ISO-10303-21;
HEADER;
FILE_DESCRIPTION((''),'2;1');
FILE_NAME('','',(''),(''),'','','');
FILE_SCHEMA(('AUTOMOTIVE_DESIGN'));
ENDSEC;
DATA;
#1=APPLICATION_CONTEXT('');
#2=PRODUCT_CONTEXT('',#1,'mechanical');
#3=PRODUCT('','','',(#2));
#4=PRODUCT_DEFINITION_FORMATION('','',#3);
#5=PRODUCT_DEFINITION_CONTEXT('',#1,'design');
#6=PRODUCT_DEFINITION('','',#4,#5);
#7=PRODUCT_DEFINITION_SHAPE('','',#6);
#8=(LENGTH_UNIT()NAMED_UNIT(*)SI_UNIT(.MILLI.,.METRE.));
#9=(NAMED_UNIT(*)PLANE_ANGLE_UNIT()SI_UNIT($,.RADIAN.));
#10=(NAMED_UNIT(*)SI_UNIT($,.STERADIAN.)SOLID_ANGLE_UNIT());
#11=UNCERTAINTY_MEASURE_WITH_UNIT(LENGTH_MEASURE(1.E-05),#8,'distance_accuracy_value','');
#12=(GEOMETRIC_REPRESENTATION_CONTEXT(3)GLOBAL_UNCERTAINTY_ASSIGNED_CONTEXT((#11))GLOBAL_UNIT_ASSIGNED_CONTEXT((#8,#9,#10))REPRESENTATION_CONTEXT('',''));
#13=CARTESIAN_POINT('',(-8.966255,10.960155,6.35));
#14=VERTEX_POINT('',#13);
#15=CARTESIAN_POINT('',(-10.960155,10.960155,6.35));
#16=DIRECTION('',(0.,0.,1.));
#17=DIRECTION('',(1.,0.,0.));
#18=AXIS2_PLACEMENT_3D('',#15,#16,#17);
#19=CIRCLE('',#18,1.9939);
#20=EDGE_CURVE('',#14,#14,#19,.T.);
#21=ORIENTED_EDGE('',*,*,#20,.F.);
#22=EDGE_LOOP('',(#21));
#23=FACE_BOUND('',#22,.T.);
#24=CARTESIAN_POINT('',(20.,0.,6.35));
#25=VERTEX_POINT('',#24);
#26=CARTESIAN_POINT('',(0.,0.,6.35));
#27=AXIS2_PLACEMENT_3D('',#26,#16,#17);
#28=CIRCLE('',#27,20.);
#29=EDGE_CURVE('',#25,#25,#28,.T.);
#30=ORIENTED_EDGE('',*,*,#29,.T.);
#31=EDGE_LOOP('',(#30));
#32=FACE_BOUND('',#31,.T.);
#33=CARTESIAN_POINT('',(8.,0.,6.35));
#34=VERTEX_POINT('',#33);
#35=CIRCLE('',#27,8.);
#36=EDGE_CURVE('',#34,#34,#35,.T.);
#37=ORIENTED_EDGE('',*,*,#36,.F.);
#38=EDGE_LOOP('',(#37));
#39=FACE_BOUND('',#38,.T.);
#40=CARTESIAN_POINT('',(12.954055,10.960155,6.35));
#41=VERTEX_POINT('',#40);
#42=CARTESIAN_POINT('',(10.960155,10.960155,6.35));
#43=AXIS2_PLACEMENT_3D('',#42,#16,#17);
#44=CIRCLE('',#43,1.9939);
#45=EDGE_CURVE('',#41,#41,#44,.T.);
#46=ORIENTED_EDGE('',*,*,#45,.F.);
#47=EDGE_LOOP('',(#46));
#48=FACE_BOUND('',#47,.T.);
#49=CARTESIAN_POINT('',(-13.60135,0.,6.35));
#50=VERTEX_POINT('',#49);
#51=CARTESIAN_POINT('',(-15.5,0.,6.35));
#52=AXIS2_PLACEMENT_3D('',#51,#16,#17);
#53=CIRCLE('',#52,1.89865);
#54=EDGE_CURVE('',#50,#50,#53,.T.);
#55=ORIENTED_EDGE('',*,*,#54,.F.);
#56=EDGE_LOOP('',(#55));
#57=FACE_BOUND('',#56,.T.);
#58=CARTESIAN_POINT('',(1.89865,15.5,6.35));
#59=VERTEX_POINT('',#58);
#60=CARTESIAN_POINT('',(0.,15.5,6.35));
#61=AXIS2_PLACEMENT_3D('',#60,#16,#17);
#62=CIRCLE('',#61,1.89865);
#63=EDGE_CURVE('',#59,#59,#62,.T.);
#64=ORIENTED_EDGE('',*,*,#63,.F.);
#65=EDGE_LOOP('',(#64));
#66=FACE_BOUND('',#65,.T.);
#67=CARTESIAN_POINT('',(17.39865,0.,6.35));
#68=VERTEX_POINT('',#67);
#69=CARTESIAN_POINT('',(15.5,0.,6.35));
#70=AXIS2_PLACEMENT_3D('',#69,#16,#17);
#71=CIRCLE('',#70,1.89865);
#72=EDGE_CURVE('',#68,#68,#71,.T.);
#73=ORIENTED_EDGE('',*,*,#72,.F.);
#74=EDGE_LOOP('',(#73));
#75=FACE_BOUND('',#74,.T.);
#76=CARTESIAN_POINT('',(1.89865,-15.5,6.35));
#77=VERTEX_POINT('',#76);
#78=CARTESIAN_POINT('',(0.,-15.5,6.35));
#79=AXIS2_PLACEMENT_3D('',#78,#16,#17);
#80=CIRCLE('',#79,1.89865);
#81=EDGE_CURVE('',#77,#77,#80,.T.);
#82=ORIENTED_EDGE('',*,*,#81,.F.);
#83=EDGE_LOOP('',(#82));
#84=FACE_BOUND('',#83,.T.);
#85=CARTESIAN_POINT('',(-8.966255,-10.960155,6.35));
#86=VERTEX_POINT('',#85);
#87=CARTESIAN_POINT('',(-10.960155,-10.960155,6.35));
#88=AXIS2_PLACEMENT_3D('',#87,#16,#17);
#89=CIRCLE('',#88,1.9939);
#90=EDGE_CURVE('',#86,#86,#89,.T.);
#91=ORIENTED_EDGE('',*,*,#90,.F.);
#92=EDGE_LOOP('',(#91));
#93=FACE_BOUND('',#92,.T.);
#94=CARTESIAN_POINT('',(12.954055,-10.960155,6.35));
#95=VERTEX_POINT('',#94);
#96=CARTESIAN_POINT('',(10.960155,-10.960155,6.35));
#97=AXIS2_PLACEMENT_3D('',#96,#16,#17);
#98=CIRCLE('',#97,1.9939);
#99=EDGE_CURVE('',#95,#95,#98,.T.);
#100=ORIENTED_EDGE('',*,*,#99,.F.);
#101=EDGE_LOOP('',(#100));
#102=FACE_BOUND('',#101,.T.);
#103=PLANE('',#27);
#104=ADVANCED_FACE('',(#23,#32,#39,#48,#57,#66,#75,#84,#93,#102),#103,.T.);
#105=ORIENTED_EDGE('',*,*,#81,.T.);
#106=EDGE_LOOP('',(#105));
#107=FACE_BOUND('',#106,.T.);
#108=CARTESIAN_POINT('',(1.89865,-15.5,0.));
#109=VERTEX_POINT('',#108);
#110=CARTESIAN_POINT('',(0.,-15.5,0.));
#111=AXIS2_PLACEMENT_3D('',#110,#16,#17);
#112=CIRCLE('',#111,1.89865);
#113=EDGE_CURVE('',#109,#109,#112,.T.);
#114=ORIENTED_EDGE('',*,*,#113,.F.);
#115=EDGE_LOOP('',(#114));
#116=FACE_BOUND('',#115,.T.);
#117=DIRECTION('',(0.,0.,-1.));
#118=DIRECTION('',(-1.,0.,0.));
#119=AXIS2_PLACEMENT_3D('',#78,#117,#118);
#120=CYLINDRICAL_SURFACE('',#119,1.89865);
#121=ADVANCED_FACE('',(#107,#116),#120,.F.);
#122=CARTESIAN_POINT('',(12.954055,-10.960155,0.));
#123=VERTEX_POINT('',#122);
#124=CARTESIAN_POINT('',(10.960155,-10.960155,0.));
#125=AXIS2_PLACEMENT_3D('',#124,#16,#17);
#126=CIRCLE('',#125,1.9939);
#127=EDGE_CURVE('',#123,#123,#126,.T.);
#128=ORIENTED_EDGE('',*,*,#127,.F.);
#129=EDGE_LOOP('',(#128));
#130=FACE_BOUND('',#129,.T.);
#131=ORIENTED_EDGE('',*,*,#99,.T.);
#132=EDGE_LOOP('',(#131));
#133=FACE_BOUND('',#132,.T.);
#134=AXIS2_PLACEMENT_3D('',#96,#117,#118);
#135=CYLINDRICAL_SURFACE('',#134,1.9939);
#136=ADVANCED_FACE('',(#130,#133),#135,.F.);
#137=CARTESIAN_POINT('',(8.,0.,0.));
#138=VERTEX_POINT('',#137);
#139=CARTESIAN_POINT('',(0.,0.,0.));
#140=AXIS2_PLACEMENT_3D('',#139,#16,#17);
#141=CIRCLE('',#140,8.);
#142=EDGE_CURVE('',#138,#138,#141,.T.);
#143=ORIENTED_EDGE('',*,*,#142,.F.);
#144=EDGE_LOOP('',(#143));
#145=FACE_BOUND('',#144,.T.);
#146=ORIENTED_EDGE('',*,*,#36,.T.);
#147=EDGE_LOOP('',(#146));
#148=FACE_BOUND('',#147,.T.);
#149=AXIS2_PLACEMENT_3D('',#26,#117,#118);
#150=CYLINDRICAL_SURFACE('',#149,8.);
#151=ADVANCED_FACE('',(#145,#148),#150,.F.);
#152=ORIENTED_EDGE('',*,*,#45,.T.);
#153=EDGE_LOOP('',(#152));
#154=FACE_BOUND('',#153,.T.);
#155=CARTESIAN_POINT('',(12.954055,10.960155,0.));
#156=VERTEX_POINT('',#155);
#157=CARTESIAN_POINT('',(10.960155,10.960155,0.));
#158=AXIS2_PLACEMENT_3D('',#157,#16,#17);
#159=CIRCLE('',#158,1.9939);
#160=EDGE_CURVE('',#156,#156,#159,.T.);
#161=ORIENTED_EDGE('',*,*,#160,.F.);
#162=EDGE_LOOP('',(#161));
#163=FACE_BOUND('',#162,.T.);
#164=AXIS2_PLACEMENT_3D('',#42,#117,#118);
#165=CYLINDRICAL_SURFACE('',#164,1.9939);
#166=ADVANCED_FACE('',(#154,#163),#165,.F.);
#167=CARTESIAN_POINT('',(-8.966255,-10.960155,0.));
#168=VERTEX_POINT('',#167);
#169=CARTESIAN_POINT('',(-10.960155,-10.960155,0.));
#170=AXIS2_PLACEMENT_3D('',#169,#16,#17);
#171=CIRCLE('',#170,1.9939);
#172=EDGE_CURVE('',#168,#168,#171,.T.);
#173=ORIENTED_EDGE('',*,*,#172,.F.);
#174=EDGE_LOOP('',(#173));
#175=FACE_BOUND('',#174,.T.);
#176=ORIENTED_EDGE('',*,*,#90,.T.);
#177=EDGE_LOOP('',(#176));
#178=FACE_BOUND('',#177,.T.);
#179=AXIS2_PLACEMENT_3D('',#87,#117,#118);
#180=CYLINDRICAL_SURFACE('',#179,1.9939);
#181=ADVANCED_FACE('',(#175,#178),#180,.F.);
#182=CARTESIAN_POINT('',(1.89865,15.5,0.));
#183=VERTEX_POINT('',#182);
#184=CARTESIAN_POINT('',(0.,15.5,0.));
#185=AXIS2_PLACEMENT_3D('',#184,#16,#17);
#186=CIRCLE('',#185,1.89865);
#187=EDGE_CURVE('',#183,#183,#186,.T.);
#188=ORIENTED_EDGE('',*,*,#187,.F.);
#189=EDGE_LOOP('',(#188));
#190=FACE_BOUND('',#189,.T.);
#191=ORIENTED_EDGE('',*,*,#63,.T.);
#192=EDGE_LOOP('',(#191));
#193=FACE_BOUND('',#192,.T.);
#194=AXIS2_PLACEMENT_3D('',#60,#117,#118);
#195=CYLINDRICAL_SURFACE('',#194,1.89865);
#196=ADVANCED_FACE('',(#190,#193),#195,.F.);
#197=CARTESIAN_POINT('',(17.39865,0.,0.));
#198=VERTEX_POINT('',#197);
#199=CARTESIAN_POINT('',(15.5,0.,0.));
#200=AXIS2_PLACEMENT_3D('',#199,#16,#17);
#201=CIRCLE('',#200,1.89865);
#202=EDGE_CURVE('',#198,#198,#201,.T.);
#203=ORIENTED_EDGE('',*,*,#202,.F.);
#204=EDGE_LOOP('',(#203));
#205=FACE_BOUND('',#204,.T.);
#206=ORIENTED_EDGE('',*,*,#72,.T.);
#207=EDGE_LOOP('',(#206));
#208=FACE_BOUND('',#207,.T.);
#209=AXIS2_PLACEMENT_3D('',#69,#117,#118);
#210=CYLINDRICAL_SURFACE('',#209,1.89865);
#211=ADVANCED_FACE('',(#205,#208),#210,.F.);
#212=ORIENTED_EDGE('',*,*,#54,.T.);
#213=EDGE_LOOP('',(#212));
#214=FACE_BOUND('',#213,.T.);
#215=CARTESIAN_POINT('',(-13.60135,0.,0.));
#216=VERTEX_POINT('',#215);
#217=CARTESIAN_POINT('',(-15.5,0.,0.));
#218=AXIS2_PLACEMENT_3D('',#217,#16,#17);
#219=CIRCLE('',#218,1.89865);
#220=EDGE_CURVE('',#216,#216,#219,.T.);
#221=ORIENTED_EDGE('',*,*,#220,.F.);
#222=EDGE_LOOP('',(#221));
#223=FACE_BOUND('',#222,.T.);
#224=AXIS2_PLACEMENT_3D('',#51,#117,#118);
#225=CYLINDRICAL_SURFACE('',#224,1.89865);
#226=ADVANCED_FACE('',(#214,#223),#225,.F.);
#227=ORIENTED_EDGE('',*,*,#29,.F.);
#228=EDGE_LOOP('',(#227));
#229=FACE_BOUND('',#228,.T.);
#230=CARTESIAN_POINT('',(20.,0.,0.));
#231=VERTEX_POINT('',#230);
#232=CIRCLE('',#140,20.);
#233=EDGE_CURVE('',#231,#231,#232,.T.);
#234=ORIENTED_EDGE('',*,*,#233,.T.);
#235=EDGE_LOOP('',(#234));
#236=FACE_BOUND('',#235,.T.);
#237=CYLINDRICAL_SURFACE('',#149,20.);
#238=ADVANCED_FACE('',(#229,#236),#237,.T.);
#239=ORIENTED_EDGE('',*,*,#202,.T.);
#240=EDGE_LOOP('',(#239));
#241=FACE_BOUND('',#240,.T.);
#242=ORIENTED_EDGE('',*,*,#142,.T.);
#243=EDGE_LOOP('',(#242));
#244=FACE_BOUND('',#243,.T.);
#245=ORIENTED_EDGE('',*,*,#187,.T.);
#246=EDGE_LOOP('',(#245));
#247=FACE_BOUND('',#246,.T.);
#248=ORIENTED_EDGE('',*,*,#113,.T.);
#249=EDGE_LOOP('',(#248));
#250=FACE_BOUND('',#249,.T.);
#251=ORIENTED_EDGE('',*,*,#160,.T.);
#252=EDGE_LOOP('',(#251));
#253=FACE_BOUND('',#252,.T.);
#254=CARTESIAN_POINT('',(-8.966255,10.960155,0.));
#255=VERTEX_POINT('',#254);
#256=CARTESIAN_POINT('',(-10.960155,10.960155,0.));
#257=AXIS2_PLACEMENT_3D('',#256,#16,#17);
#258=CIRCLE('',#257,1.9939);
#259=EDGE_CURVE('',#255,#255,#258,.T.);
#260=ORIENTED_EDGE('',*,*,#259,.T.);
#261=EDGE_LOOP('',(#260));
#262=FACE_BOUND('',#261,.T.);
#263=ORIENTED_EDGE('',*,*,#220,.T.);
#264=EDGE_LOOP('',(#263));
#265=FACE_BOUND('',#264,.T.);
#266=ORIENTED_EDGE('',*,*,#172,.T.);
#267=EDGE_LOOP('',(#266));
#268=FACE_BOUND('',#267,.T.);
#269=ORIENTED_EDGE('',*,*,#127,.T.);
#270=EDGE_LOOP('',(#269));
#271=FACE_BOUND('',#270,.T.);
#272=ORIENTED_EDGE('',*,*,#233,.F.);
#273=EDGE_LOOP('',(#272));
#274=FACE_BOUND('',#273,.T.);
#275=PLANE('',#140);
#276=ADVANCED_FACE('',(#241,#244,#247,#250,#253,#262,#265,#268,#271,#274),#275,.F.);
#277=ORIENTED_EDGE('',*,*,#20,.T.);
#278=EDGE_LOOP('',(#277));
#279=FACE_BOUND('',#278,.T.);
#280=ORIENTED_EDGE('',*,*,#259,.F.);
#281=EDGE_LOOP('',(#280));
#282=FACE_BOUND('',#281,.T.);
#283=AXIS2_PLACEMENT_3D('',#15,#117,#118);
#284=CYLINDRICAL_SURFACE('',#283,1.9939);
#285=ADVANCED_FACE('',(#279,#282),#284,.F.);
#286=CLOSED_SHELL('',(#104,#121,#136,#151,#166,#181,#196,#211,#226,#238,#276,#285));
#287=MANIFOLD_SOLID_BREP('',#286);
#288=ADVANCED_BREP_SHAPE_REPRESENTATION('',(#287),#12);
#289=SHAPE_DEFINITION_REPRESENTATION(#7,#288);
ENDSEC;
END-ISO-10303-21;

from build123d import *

# Parameters (mm, degrees)
SKETCH1_R           = 20
SKETCH1_R_2         = 8
SKETCH1_R_3         = 1.89865
SKETCH1_R_4         = 1.9939
BOSS_EXTRUDE1_DEPTH = 6.35


with BuildPart() as part:
    # Sketch1 → Boss-Extrude1 (new body)
    with BuildSketch(Plane.XY):
        Circle(SKETCH1_R)
        Circle(SKETCH1_R_2, mode=Mode.SUBTRACT)
        with Locations((0, -15.5)):
            Circle(SKETCH1_R_3, mode=Mode.SUBTRACT)
        with Locations((10.960155108, -10.960155108)):
            Circle(SKETCH1_R_4, mode=Mode.SUBTRACT)
        with Locations((-15.5, 0)):
            Circle(SKETCH1_R_3, mode=Mode.SUBTRACT)
        with Locations((-10.960155108, -10.960155108)):
            Circle(SKETCH1_R_4, mode=Mode.SUBTRACT)
        with Locations((0, 15.5)):
            Circle(SKETCH1_R_3, mode=Mode.SUBTRACT)
        with Locations((-10.960155108, 10.960155108)):
            Circle(SKETCH1_R_4, mode=Mode.SUBTRACT)
        with Locations((15.5, 0)):
            Circle(SKETCH1_R_3, mode=Mode.SUBTRACT)
        with Locations((10.960155108, 10.960155108)):
            Circle(SKETCH1_R_4, mode=Mode.SUBTRACT)
    extrude(amount=BOSS_EXTRUDE1_DEPTH)


solid = part.part
